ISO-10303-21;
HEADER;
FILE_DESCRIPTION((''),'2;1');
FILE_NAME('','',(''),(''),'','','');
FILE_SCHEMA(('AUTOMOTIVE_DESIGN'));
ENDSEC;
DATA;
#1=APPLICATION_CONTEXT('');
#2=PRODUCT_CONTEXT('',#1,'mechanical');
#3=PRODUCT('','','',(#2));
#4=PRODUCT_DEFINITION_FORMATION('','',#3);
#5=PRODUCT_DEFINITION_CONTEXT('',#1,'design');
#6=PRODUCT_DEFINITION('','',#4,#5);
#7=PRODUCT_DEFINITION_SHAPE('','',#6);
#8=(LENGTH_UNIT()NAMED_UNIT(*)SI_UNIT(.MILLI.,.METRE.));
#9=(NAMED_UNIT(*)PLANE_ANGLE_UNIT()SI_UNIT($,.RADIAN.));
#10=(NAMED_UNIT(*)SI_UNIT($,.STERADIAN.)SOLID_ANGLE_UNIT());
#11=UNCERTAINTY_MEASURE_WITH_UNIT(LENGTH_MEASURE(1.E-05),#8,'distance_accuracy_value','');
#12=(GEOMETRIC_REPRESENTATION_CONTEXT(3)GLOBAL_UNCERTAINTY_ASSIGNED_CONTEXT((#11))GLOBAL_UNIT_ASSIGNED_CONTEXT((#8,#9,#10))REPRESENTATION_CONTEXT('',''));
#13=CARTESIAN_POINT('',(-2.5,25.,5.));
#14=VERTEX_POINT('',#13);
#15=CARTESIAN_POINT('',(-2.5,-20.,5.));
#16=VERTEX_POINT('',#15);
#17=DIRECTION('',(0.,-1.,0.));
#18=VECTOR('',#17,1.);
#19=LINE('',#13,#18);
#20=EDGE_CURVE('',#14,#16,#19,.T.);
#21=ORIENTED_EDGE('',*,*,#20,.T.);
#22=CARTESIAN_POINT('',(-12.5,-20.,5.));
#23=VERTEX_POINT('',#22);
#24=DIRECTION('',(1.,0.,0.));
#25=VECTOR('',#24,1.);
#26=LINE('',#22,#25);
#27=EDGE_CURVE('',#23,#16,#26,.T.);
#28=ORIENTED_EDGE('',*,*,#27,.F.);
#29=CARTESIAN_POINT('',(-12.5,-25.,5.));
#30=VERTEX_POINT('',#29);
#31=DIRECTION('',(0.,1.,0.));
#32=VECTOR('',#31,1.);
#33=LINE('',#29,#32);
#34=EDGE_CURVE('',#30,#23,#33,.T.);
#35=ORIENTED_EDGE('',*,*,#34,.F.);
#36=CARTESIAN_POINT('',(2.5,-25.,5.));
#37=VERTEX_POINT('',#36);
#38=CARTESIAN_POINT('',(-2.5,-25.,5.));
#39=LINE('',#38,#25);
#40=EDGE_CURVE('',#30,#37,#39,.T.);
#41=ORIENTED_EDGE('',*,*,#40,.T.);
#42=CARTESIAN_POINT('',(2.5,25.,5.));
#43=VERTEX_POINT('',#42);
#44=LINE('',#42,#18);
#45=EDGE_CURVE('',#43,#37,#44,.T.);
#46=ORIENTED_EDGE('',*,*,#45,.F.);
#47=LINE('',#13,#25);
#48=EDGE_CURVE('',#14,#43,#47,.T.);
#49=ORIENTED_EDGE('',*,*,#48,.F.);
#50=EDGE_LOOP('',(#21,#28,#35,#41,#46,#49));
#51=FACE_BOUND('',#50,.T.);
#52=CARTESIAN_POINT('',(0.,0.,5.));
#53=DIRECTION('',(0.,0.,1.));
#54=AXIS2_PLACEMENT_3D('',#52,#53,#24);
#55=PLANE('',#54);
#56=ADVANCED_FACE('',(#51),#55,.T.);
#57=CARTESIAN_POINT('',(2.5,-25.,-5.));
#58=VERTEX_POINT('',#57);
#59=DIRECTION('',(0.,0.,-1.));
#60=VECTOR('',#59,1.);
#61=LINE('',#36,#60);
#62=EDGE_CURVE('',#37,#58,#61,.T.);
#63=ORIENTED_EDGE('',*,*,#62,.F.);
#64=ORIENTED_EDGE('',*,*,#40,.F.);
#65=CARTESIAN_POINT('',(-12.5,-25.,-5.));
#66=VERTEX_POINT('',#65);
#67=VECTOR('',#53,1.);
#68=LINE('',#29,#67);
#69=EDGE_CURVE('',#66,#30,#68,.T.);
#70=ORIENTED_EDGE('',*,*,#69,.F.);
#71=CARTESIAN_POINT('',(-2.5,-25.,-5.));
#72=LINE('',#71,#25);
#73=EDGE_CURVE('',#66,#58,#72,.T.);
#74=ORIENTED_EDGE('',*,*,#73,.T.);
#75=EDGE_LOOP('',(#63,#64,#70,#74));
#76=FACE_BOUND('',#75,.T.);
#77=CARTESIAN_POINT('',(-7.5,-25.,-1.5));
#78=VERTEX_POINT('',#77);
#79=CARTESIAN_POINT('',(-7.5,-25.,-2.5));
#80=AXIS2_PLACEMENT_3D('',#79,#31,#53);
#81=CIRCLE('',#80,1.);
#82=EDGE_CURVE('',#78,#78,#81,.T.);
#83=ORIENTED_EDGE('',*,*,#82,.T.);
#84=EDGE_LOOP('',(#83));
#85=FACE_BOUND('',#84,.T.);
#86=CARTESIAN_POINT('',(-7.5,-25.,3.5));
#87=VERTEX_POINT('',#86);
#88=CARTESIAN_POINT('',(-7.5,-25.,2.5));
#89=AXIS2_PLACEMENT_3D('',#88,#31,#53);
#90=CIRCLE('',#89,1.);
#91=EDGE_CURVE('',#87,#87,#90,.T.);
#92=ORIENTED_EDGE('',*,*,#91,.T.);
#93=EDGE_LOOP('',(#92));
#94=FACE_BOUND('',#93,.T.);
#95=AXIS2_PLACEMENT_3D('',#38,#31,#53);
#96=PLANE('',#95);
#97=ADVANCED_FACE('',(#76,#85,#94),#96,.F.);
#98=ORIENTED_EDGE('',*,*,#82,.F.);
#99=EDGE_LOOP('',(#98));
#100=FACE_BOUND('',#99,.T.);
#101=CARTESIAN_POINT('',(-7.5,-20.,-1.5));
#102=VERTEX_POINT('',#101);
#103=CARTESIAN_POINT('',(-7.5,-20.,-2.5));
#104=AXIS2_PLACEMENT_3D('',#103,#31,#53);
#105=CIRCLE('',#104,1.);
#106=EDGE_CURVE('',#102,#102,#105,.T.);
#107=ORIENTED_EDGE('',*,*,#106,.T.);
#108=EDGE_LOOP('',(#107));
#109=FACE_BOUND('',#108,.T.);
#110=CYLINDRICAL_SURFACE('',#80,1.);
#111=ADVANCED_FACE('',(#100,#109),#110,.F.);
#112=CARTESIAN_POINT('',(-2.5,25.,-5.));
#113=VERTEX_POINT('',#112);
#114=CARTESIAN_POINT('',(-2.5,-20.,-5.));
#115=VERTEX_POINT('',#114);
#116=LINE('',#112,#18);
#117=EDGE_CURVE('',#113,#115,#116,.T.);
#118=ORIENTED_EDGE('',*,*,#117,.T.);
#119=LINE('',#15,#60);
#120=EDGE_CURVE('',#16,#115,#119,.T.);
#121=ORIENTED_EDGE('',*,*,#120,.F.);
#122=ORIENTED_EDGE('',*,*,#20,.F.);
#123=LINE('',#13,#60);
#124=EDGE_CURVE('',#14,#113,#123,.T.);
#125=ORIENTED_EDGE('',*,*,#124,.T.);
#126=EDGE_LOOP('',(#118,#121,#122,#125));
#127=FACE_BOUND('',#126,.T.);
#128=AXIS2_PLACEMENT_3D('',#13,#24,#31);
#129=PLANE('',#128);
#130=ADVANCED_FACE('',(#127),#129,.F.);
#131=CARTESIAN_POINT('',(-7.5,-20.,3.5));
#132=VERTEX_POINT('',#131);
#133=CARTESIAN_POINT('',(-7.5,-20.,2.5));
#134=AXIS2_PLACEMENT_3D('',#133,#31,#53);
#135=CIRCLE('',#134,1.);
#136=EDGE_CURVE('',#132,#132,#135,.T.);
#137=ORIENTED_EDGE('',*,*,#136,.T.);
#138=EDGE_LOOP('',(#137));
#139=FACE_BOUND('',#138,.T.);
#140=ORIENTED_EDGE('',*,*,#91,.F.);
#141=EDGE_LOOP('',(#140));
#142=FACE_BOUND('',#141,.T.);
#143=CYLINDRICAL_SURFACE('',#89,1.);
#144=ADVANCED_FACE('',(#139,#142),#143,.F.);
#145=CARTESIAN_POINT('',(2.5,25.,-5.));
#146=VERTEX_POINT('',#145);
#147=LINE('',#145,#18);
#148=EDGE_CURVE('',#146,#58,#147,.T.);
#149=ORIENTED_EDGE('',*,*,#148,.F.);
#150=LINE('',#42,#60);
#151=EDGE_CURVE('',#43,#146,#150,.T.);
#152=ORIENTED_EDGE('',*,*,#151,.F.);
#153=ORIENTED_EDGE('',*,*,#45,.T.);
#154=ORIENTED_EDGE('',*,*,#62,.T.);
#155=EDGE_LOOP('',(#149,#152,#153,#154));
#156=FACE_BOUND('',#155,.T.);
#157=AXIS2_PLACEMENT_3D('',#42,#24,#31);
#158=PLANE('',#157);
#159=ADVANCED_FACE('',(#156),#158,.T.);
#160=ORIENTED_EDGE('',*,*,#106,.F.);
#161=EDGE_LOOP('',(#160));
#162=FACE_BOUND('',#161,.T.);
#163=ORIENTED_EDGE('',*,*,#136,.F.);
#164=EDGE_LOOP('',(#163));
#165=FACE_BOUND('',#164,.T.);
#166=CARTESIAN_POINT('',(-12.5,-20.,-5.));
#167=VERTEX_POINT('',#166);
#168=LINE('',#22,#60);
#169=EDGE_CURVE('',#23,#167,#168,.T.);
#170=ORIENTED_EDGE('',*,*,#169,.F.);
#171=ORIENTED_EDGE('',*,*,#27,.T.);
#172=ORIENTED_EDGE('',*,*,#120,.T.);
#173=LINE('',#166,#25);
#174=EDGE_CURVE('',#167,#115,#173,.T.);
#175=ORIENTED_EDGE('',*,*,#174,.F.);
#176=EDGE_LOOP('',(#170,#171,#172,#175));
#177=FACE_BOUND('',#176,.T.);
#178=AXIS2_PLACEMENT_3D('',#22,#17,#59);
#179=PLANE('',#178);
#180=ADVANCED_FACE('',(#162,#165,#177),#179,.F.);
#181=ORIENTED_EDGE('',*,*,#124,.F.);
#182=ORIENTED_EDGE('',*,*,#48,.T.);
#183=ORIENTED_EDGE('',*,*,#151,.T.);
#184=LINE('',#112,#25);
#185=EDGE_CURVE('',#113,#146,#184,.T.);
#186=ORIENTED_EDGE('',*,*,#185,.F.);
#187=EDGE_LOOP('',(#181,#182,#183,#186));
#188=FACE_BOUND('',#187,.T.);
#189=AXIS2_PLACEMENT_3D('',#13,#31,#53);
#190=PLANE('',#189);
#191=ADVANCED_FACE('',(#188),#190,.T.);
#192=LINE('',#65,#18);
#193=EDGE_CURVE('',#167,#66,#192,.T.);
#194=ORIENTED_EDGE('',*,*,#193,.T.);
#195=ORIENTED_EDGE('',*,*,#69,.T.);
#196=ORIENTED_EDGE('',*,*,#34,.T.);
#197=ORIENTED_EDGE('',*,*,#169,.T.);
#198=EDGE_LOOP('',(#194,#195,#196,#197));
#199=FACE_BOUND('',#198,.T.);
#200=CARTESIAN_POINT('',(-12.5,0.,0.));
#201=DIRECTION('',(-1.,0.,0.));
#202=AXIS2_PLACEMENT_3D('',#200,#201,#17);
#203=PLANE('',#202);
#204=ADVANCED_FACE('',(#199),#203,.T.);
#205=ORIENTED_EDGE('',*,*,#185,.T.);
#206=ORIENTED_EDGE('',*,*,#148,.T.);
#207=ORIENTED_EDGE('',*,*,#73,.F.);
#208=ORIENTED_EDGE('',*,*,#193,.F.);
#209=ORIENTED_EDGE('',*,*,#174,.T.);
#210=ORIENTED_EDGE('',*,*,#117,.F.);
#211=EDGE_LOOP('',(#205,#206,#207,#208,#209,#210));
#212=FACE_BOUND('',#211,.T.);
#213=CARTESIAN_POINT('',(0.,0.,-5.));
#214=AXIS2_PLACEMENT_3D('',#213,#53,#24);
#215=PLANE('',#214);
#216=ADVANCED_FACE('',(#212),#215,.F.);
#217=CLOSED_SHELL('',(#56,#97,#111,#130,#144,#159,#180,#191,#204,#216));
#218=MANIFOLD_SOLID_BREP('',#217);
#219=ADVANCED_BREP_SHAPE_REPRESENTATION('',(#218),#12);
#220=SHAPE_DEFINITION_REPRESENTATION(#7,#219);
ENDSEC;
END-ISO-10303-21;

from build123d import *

# Parameters (mm, degrees)
SKETCH1_W           = 5
SKETCH1_H           = 50
BOSS_EXTRUDE1_DEPTH = 5
SKETCH2_W           = 10
SKETCH2_H           = 5
BOSS_EXTRUDE2_DEPTH = 10
SKETCH3_R           = 1
CUT_EXTRUDE1_DEPTH  = 47.97073557


with BuildPart() as part:
    # Sketch1 → Boss-Extrude1 (new, symmetric)
    with BuildSketch(Plane.XY):
        Rectangle(SKETCH1_W, SKETCH1_H)
    extrude(amount=BOSS_EXTRUDE1_DEPTH, both=True)

    # Sketch2 → Boss-Extrude2 (add)
    with BuildSketch(Plane.ZY.offset(2.5)):
        with Locations((0, -22.5)):
            Rectangle(SKETCH2_W, SKETCH2_H)
    extrude(amount=BOSS_EXTRUDE2_DEPTH)

    # Sketch3 → Cut-Extrude1 (cut, through all)
    with BuildSketch(Plane(origin=(0, -20, 0), x_dir=(1, 0, 0), z_dir=(0, 1, 0))):
        with Locations(Location((-7.5, 2.5, 0), (0, 0, 270))):
            Circle(SKETCH3_R)
        with Locations(Location((-7.5, -2.5, 0), (0, 0, 270))):
            Circle(SKETCH3_R)
    extrude(amount=-CUT_EXTRUDE1_DEPTH, mode=Mode.SUBTRACT)


solid = part.part
